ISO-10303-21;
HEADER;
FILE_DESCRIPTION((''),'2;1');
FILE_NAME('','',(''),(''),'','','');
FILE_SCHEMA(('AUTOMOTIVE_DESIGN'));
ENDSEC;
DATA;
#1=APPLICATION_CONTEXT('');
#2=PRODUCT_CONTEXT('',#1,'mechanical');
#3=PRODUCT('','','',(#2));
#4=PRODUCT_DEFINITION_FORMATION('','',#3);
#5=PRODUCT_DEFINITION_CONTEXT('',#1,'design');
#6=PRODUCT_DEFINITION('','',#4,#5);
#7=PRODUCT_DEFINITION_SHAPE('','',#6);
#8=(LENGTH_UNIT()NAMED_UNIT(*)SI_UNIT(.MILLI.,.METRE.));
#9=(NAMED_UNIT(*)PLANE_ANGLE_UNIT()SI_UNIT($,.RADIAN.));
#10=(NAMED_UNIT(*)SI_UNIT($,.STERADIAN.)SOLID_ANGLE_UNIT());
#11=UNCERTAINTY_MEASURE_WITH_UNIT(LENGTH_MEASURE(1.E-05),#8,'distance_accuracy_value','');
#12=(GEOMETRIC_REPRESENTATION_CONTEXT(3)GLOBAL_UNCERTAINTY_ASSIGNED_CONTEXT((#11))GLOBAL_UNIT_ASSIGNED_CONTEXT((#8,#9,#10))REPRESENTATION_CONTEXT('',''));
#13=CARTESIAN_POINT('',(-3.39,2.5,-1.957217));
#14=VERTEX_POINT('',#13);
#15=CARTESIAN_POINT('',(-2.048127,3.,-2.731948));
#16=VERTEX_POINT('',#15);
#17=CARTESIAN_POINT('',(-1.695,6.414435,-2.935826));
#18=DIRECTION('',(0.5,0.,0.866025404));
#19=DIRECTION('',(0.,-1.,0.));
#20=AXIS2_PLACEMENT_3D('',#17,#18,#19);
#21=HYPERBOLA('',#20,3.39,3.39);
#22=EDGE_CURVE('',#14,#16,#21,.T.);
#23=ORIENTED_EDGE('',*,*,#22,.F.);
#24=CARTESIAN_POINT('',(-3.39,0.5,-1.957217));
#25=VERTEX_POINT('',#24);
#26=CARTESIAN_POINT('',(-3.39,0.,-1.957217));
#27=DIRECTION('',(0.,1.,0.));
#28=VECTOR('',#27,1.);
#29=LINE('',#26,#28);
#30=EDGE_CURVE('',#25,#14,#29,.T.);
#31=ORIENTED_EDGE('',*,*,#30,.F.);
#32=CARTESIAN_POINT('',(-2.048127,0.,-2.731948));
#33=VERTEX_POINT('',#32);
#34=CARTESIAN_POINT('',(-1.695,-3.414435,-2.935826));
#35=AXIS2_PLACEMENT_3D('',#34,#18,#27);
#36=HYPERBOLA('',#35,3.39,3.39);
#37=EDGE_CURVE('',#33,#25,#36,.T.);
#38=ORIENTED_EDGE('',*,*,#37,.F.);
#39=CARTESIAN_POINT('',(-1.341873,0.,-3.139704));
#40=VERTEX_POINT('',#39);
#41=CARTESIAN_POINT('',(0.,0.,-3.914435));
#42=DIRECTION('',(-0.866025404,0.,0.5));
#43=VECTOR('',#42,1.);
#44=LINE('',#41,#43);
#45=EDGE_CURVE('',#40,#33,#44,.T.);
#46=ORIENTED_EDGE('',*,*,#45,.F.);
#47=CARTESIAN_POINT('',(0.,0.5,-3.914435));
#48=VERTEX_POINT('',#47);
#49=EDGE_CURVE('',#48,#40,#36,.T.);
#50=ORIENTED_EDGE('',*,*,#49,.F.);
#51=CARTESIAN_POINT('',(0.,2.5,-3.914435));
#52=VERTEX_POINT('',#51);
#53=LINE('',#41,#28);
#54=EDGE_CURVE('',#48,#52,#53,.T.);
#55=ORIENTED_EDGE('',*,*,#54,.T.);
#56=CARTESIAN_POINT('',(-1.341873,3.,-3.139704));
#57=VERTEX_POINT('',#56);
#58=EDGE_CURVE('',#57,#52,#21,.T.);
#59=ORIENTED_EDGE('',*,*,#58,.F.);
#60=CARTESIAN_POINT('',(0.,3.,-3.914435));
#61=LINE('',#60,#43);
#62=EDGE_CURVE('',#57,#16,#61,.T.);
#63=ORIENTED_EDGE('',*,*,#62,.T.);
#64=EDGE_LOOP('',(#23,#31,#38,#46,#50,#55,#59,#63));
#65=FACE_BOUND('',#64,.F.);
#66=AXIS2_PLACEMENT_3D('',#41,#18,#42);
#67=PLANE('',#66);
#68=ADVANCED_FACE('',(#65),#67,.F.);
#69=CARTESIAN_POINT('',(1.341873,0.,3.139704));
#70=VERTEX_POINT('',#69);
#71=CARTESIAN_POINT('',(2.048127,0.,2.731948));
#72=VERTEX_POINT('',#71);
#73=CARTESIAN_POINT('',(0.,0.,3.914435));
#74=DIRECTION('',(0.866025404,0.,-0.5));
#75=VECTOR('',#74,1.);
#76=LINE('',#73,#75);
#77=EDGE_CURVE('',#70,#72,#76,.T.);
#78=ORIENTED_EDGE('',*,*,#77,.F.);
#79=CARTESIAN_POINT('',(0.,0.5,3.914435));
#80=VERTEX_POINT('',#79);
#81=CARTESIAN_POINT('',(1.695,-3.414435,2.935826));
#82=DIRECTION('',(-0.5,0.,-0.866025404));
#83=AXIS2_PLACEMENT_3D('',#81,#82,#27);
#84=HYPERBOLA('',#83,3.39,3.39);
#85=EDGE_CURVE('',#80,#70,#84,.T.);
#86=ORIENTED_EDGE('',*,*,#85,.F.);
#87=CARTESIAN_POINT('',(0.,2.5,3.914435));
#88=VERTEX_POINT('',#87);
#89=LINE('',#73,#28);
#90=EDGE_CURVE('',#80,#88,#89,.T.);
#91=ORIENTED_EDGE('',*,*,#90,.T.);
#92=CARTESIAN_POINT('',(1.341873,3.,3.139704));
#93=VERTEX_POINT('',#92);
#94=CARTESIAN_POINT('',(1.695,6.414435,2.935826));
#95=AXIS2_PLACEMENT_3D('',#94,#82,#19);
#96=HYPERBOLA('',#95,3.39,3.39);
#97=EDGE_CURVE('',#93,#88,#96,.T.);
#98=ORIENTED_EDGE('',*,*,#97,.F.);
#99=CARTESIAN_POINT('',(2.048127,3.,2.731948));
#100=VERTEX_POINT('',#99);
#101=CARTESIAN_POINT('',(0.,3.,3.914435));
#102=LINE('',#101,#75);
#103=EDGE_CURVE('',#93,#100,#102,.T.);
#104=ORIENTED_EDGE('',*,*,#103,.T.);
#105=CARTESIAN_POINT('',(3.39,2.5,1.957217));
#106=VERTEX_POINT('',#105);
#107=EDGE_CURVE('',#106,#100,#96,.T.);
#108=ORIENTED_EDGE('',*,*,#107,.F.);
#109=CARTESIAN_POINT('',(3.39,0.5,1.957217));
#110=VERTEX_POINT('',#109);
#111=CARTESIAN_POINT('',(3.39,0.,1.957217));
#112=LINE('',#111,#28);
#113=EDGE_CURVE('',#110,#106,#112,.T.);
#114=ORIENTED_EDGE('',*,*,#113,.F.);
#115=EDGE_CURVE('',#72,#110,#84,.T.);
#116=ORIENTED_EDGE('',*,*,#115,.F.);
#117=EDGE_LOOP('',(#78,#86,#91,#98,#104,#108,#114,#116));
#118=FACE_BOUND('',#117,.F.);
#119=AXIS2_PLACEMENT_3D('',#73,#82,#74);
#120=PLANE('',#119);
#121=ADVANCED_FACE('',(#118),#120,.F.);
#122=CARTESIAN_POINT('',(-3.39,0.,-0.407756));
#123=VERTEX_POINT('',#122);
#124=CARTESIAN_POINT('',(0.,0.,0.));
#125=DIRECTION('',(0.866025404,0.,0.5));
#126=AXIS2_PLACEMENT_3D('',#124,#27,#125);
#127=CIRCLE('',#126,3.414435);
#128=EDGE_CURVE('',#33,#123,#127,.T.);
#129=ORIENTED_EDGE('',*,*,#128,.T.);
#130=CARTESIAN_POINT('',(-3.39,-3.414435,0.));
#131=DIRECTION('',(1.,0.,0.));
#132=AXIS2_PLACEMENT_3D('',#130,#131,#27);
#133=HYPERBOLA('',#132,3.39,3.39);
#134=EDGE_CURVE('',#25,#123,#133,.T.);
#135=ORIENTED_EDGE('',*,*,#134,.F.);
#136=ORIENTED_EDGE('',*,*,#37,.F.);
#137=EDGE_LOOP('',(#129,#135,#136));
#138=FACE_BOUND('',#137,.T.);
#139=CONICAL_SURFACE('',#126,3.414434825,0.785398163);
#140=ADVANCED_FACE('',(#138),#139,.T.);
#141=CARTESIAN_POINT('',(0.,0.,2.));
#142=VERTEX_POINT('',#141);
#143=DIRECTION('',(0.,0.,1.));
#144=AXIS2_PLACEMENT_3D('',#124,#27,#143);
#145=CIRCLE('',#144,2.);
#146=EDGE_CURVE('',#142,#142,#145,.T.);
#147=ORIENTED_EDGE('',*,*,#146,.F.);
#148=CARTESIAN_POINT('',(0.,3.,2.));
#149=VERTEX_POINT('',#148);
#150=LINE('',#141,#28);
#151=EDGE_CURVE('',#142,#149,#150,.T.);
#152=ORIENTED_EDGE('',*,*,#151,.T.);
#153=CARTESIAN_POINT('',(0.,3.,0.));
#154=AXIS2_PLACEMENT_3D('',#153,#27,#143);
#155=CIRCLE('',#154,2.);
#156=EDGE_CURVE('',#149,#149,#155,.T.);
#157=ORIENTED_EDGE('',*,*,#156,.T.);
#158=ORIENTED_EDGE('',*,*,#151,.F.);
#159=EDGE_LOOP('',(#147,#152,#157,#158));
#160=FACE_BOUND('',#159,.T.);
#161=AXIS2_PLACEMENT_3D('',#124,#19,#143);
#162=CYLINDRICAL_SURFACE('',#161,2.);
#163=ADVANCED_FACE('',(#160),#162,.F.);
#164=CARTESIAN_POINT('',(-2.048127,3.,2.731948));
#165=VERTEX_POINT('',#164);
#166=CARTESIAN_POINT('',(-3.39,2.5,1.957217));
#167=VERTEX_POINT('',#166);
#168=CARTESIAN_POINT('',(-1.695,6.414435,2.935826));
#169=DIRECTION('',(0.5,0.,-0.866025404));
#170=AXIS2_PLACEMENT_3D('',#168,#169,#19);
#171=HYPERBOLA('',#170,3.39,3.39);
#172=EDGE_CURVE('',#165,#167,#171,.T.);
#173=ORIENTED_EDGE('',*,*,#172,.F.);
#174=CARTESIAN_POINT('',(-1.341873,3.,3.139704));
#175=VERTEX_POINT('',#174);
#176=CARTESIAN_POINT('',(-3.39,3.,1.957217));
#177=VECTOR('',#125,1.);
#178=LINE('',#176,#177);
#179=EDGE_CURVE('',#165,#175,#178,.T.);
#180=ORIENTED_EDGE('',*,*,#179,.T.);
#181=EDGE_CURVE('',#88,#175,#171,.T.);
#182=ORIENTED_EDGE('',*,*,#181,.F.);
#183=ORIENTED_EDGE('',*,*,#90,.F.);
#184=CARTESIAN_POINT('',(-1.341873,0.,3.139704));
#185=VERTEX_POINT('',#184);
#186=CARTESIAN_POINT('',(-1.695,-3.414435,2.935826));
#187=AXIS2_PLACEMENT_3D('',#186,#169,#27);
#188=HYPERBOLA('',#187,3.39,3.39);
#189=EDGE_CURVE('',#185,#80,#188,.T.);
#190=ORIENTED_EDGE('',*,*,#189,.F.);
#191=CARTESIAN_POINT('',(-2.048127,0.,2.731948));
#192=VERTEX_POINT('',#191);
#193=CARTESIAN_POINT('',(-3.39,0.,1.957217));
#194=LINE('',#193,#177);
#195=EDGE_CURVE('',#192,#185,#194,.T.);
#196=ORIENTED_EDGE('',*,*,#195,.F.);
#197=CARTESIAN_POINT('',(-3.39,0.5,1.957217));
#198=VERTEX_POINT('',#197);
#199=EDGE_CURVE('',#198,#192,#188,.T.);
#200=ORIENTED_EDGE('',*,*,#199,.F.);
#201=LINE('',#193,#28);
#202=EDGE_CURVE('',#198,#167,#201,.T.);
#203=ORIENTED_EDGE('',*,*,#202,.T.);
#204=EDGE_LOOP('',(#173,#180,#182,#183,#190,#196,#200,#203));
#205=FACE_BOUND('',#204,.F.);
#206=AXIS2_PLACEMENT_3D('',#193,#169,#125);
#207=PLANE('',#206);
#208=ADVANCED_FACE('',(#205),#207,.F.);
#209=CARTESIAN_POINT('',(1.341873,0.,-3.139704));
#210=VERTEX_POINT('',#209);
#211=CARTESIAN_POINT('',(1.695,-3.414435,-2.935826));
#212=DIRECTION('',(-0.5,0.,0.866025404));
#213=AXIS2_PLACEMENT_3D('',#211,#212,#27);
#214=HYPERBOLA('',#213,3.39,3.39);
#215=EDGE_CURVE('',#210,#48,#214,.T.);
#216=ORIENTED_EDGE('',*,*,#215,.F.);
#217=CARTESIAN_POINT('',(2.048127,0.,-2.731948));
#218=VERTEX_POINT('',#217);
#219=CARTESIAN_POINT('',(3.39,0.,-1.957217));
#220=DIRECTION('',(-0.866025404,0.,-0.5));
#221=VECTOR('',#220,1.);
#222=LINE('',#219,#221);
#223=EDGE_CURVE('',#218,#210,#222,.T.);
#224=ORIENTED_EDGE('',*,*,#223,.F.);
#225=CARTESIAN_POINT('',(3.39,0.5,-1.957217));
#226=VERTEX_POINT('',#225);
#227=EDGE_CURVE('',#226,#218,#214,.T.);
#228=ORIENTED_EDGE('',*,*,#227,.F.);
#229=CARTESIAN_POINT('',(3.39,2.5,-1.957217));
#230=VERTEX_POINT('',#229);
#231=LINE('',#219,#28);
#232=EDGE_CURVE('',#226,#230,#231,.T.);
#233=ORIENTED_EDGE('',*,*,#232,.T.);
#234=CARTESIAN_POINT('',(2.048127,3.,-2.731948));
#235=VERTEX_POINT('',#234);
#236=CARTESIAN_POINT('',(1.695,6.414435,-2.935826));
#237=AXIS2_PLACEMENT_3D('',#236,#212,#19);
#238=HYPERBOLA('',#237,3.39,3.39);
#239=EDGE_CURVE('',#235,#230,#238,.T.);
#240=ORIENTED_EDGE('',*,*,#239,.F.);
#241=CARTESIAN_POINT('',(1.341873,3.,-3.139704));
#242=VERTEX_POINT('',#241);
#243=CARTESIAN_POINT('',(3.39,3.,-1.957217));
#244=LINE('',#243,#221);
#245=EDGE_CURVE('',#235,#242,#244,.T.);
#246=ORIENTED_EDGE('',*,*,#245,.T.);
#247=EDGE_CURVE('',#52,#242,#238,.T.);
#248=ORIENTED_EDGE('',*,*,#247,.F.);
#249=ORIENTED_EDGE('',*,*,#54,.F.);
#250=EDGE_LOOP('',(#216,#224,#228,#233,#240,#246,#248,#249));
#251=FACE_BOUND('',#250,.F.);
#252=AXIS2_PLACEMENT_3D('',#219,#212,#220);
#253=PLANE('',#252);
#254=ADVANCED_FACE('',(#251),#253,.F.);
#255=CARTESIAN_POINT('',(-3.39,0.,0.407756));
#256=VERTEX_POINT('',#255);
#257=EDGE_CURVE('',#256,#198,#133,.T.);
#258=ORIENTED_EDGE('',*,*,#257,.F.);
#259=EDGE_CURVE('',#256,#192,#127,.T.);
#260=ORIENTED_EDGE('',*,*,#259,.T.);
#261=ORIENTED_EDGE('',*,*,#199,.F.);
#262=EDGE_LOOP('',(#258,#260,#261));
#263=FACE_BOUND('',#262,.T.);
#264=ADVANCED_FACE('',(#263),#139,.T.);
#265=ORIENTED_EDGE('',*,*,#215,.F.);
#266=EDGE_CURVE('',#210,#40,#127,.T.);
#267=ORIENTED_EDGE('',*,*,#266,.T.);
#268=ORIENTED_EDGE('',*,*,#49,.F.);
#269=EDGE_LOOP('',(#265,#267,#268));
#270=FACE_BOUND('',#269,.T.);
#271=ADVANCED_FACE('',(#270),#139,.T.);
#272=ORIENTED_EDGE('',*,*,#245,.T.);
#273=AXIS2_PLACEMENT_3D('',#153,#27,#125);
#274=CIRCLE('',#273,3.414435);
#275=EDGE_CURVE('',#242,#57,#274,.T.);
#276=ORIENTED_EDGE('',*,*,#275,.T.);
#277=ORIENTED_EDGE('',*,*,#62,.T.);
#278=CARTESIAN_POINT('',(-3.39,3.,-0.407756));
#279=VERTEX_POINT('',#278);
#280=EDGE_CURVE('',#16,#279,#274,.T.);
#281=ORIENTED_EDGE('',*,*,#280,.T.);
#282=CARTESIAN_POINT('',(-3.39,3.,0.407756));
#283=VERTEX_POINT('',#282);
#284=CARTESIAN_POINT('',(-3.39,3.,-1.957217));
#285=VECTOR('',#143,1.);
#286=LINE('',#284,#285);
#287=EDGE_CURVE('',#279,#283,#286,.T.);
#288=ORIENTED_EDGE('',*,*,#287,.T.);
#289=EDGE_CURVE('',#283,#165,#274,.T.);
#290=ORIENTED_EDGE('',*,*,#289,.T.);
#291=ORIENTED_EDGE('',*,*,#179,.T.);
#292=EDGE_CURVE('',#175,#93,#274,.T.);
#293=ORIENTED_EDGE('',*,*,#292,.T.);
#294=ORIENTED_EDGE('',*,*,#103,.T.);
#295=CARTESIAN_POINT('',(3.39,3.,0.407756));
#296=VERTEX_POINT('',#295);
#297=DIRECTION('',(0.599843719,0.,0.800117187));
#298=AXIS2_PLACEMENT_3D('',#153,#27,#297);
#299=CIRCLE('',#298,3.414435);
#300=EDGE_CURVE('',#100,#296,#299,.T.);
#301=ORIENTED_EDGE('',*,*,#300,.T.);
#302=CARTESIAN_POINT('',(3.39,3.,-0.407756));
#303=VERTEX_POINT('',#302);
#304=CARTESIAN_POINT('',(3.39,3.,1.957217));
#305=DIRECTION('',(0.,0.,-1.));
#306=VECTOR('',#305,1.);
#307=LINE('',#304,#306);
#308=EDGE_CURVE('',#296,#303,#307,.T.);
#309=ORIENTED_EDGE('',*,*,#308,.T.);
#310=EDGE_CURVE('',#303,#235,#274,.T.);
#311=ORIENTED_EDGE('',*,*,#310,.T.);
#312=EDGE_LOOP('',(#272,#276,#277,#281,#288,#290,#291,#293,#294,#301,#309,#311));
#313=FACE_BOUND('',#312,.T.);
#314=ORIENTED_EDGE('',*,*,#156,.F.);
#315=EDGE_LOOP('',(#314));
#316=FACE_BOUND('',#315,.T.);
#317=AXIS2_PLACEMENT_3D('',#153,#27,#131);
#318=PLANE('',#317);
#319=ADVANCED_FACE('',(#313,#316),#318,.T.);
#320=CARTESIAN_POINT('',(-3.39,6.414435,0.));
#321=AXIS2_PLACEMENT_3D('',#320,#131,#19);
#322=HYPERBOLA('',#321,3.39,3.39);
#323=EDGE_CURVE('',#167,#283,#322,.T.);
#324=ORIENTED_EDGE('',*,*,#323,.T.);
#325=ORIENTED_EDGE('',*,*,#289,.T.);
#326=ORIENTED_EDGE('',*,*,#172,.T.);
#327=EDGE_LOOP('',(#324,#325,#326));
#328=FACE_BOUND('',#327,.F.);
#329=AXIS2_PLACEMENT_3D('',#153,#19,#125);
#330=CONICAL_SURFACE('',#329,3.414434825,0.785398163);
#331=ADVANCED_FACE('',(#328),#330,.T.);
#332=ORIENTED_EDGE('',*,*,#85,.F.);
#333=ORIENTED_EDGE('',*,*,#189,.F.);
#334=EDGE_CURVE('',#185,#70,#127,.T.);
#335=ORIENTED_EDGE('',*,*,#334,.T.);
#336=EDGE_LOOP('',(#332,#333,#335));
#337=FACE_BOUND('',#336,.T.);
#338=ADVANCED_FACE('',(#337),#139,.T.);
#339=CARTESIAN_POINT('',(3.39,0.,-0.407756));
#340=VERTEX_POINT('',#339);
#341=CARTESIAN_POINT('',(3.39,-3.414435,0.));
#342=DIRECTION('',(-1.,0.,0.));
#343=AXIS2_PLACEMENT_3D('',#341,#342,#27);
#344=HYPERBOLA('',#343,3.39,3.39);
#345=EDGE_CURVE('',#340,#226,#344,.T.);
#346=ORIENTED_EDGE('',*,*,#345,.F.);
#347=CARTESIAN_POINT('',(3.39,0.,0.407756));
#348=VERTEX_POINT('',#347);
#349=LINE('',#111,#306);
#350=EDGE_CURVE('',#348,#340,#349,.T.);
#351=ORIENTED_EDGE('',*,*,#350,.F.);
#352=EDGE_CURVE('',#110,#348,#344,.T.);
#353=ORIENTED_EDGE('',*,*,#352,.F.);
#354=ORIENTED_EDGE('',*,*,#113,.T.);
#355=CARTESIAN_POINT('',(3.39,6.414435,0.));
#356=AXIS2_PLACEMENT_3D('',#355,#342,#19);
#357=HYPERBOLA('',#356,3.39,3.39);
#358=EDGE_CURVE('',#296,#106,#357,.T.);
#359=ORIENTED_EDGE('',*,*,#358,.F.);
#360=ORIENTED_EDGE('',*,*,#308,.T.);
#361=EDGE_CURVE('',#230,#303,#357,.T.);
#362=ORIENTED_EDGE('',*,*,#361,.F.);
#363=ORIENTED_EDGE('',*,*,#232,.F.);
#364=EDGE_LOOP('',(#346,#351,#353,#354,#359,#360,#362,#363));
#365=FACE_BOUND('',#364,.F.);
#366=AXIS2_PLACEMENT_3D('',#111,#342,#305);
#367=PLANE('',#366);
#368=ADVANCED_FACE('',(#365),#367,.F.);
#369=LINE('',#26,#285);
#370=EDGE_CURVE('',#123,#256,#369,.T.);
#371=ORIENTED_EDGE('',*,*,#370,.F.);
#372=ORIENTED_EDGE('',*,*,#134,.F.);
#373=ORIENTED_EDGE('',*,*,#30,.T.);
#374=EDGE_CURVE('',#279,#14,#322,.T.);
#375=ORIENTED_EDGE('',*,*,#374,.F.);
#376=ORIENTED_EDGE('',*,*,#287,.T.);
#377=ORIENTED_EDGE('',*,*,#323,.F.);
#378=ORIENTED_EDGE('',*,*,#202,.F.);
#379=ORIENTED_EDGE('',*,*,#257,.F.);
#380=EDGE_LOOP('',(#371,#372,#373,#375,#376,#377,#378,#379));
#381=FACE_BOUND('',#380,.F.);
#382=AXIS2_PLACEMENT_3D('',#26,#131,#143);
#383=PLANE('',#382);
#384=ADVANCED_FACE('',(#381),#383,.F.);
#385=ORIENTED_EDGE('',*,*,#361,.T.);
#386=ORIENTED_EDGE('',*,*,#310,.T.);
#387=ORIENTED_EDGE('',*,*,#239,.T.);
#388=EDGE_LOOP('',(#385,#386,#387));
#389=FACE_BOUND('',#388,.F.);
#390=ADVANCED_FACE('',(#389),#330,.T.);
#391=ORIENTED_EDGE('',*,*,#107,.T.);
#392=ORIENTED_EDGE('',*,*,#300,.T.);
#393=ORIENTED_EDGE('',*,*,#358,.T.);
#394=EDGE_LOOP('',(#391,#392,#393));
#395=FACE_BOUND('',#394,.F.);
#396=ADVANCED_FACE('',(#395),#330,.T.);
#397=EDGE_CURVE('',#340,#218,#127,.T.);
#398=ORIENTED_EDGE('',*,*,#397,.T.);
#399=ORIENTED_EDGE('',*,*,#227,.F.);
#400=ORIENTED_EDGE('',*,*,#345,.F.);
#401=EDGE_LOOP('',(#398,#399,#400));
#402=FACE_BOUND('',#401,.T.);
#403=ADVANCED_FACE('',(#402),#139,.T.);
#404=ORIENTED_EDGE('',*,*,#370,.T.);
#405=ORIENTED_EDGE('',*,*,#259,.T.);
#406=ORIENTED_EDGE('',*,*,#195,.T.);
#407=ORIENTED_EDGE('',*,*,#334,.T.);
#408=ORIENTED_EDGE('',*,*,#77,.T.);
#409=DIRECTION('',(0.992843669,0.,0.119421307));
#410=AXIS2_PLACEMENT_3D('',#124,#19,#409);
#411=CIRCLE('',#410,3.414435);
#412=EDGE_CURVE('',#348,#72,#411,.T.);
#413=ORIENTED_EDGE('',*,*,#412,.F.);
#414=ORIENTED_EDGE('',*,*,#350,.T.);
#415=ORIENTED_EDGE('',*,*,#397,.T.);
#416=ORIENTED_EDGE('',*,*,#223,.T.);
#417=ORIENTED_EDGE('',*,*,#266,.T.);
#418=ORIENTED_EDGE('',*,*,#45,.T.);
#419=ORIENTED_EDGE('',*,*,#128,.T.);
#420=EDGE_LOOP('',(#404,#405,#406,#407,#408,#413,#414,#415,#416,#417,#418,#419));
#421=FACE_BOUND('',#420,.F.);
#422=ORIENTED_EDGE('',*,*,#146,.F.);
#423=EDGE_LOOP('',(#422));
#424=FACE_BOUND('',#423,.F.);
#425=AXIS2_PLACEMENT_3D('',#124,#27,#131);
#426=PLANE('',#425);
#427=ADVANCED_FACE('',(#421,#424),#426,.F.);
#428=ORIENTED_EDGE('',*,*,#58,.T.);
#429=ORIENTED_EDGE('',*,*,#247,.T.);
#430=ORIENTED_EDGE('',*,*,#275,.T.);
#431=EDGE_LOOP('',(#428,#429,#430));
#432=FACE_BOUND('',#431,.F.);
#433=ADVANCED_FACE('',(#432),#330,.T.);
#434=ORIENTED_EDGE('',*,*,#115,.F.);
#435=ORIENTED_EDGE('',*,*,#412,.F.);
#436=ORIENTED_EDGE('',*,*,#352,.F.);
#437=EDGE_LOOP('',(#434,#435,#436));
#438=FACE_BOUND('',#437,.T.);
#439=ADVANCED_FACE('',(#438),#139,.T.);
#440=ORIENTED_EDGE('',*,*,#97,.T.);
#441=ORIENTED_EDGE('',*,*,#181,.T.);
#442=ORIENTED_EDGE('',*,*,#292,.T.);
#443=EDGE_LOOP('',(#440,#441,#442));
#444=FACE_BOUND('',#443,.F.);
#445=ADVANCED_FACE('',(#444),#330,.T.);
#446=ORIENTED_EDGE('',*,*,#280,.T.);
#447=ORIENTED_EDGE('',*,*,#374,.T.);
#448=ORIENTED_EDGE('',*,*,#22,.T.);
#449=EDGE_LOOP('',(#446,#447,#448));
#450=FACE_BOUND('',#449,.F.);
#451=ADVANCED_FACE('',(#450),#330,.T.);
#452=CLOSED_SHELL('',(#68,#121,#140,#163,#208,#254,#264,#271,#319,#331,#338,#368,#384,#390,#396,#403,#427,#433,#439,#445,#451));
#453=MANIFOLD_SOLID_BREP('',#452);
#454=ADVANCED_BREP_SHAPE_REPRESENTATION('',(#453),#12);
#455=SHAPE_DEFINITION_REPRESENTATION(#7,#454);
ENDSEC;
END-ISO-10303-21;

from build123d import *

# Parameters (mm, degrees)
SKETCH_1_R      = 2
EXTRUDE_1_DEPTH = 3


with BuildPart() as part:
    # 草图1 → 凸台-拉伸1 (new body)
    with BuildSketch(Plane(origin=(0, 0, 0), x_dir=(1, 0, 0), z_dir=(0, 1, 0))):
        Polygon((0, 3.914434825), (-3.39, 1.957217413), (-3.39, -1.957217413), (0, -3.914434825), (3.39, -1.957217413), (3.39, 1.957217413), align=None)
        with Locations(Location((0, 0, 0), (0, 0, 270))):
            Circle(SKETCH_1_R, mode=Mode.SUBTRACT)
    extrude(amount=EXTRUDE_1_DEPTH)

    # 草图12 → 切除-旋转1 (revolve, cut)
    with BuildSketch(Plane(origin=(0, 0, 0), x_dir=(-0.8660254037844386, 0, -0.5000000000000003), z_dir=(0.5000000000000002, 0, -0.8660254037844385))):
        Polygon((-3.414434825, 3), (-3.914434825, 2.5), (-3.914434825, 3), align=None)
    cut_revolve_1 = revolve(axis=Axis((0, 3, 0), (0, 1, 0)), mode=Mode.SUBTRACT)

    # 镜向1: 切除-旋转1 across plane
    add(cut_revolve_1.mirror(Plane.ZX.offset(1.5)), mode=Mode.SUBTRACT)


solid = part.part
